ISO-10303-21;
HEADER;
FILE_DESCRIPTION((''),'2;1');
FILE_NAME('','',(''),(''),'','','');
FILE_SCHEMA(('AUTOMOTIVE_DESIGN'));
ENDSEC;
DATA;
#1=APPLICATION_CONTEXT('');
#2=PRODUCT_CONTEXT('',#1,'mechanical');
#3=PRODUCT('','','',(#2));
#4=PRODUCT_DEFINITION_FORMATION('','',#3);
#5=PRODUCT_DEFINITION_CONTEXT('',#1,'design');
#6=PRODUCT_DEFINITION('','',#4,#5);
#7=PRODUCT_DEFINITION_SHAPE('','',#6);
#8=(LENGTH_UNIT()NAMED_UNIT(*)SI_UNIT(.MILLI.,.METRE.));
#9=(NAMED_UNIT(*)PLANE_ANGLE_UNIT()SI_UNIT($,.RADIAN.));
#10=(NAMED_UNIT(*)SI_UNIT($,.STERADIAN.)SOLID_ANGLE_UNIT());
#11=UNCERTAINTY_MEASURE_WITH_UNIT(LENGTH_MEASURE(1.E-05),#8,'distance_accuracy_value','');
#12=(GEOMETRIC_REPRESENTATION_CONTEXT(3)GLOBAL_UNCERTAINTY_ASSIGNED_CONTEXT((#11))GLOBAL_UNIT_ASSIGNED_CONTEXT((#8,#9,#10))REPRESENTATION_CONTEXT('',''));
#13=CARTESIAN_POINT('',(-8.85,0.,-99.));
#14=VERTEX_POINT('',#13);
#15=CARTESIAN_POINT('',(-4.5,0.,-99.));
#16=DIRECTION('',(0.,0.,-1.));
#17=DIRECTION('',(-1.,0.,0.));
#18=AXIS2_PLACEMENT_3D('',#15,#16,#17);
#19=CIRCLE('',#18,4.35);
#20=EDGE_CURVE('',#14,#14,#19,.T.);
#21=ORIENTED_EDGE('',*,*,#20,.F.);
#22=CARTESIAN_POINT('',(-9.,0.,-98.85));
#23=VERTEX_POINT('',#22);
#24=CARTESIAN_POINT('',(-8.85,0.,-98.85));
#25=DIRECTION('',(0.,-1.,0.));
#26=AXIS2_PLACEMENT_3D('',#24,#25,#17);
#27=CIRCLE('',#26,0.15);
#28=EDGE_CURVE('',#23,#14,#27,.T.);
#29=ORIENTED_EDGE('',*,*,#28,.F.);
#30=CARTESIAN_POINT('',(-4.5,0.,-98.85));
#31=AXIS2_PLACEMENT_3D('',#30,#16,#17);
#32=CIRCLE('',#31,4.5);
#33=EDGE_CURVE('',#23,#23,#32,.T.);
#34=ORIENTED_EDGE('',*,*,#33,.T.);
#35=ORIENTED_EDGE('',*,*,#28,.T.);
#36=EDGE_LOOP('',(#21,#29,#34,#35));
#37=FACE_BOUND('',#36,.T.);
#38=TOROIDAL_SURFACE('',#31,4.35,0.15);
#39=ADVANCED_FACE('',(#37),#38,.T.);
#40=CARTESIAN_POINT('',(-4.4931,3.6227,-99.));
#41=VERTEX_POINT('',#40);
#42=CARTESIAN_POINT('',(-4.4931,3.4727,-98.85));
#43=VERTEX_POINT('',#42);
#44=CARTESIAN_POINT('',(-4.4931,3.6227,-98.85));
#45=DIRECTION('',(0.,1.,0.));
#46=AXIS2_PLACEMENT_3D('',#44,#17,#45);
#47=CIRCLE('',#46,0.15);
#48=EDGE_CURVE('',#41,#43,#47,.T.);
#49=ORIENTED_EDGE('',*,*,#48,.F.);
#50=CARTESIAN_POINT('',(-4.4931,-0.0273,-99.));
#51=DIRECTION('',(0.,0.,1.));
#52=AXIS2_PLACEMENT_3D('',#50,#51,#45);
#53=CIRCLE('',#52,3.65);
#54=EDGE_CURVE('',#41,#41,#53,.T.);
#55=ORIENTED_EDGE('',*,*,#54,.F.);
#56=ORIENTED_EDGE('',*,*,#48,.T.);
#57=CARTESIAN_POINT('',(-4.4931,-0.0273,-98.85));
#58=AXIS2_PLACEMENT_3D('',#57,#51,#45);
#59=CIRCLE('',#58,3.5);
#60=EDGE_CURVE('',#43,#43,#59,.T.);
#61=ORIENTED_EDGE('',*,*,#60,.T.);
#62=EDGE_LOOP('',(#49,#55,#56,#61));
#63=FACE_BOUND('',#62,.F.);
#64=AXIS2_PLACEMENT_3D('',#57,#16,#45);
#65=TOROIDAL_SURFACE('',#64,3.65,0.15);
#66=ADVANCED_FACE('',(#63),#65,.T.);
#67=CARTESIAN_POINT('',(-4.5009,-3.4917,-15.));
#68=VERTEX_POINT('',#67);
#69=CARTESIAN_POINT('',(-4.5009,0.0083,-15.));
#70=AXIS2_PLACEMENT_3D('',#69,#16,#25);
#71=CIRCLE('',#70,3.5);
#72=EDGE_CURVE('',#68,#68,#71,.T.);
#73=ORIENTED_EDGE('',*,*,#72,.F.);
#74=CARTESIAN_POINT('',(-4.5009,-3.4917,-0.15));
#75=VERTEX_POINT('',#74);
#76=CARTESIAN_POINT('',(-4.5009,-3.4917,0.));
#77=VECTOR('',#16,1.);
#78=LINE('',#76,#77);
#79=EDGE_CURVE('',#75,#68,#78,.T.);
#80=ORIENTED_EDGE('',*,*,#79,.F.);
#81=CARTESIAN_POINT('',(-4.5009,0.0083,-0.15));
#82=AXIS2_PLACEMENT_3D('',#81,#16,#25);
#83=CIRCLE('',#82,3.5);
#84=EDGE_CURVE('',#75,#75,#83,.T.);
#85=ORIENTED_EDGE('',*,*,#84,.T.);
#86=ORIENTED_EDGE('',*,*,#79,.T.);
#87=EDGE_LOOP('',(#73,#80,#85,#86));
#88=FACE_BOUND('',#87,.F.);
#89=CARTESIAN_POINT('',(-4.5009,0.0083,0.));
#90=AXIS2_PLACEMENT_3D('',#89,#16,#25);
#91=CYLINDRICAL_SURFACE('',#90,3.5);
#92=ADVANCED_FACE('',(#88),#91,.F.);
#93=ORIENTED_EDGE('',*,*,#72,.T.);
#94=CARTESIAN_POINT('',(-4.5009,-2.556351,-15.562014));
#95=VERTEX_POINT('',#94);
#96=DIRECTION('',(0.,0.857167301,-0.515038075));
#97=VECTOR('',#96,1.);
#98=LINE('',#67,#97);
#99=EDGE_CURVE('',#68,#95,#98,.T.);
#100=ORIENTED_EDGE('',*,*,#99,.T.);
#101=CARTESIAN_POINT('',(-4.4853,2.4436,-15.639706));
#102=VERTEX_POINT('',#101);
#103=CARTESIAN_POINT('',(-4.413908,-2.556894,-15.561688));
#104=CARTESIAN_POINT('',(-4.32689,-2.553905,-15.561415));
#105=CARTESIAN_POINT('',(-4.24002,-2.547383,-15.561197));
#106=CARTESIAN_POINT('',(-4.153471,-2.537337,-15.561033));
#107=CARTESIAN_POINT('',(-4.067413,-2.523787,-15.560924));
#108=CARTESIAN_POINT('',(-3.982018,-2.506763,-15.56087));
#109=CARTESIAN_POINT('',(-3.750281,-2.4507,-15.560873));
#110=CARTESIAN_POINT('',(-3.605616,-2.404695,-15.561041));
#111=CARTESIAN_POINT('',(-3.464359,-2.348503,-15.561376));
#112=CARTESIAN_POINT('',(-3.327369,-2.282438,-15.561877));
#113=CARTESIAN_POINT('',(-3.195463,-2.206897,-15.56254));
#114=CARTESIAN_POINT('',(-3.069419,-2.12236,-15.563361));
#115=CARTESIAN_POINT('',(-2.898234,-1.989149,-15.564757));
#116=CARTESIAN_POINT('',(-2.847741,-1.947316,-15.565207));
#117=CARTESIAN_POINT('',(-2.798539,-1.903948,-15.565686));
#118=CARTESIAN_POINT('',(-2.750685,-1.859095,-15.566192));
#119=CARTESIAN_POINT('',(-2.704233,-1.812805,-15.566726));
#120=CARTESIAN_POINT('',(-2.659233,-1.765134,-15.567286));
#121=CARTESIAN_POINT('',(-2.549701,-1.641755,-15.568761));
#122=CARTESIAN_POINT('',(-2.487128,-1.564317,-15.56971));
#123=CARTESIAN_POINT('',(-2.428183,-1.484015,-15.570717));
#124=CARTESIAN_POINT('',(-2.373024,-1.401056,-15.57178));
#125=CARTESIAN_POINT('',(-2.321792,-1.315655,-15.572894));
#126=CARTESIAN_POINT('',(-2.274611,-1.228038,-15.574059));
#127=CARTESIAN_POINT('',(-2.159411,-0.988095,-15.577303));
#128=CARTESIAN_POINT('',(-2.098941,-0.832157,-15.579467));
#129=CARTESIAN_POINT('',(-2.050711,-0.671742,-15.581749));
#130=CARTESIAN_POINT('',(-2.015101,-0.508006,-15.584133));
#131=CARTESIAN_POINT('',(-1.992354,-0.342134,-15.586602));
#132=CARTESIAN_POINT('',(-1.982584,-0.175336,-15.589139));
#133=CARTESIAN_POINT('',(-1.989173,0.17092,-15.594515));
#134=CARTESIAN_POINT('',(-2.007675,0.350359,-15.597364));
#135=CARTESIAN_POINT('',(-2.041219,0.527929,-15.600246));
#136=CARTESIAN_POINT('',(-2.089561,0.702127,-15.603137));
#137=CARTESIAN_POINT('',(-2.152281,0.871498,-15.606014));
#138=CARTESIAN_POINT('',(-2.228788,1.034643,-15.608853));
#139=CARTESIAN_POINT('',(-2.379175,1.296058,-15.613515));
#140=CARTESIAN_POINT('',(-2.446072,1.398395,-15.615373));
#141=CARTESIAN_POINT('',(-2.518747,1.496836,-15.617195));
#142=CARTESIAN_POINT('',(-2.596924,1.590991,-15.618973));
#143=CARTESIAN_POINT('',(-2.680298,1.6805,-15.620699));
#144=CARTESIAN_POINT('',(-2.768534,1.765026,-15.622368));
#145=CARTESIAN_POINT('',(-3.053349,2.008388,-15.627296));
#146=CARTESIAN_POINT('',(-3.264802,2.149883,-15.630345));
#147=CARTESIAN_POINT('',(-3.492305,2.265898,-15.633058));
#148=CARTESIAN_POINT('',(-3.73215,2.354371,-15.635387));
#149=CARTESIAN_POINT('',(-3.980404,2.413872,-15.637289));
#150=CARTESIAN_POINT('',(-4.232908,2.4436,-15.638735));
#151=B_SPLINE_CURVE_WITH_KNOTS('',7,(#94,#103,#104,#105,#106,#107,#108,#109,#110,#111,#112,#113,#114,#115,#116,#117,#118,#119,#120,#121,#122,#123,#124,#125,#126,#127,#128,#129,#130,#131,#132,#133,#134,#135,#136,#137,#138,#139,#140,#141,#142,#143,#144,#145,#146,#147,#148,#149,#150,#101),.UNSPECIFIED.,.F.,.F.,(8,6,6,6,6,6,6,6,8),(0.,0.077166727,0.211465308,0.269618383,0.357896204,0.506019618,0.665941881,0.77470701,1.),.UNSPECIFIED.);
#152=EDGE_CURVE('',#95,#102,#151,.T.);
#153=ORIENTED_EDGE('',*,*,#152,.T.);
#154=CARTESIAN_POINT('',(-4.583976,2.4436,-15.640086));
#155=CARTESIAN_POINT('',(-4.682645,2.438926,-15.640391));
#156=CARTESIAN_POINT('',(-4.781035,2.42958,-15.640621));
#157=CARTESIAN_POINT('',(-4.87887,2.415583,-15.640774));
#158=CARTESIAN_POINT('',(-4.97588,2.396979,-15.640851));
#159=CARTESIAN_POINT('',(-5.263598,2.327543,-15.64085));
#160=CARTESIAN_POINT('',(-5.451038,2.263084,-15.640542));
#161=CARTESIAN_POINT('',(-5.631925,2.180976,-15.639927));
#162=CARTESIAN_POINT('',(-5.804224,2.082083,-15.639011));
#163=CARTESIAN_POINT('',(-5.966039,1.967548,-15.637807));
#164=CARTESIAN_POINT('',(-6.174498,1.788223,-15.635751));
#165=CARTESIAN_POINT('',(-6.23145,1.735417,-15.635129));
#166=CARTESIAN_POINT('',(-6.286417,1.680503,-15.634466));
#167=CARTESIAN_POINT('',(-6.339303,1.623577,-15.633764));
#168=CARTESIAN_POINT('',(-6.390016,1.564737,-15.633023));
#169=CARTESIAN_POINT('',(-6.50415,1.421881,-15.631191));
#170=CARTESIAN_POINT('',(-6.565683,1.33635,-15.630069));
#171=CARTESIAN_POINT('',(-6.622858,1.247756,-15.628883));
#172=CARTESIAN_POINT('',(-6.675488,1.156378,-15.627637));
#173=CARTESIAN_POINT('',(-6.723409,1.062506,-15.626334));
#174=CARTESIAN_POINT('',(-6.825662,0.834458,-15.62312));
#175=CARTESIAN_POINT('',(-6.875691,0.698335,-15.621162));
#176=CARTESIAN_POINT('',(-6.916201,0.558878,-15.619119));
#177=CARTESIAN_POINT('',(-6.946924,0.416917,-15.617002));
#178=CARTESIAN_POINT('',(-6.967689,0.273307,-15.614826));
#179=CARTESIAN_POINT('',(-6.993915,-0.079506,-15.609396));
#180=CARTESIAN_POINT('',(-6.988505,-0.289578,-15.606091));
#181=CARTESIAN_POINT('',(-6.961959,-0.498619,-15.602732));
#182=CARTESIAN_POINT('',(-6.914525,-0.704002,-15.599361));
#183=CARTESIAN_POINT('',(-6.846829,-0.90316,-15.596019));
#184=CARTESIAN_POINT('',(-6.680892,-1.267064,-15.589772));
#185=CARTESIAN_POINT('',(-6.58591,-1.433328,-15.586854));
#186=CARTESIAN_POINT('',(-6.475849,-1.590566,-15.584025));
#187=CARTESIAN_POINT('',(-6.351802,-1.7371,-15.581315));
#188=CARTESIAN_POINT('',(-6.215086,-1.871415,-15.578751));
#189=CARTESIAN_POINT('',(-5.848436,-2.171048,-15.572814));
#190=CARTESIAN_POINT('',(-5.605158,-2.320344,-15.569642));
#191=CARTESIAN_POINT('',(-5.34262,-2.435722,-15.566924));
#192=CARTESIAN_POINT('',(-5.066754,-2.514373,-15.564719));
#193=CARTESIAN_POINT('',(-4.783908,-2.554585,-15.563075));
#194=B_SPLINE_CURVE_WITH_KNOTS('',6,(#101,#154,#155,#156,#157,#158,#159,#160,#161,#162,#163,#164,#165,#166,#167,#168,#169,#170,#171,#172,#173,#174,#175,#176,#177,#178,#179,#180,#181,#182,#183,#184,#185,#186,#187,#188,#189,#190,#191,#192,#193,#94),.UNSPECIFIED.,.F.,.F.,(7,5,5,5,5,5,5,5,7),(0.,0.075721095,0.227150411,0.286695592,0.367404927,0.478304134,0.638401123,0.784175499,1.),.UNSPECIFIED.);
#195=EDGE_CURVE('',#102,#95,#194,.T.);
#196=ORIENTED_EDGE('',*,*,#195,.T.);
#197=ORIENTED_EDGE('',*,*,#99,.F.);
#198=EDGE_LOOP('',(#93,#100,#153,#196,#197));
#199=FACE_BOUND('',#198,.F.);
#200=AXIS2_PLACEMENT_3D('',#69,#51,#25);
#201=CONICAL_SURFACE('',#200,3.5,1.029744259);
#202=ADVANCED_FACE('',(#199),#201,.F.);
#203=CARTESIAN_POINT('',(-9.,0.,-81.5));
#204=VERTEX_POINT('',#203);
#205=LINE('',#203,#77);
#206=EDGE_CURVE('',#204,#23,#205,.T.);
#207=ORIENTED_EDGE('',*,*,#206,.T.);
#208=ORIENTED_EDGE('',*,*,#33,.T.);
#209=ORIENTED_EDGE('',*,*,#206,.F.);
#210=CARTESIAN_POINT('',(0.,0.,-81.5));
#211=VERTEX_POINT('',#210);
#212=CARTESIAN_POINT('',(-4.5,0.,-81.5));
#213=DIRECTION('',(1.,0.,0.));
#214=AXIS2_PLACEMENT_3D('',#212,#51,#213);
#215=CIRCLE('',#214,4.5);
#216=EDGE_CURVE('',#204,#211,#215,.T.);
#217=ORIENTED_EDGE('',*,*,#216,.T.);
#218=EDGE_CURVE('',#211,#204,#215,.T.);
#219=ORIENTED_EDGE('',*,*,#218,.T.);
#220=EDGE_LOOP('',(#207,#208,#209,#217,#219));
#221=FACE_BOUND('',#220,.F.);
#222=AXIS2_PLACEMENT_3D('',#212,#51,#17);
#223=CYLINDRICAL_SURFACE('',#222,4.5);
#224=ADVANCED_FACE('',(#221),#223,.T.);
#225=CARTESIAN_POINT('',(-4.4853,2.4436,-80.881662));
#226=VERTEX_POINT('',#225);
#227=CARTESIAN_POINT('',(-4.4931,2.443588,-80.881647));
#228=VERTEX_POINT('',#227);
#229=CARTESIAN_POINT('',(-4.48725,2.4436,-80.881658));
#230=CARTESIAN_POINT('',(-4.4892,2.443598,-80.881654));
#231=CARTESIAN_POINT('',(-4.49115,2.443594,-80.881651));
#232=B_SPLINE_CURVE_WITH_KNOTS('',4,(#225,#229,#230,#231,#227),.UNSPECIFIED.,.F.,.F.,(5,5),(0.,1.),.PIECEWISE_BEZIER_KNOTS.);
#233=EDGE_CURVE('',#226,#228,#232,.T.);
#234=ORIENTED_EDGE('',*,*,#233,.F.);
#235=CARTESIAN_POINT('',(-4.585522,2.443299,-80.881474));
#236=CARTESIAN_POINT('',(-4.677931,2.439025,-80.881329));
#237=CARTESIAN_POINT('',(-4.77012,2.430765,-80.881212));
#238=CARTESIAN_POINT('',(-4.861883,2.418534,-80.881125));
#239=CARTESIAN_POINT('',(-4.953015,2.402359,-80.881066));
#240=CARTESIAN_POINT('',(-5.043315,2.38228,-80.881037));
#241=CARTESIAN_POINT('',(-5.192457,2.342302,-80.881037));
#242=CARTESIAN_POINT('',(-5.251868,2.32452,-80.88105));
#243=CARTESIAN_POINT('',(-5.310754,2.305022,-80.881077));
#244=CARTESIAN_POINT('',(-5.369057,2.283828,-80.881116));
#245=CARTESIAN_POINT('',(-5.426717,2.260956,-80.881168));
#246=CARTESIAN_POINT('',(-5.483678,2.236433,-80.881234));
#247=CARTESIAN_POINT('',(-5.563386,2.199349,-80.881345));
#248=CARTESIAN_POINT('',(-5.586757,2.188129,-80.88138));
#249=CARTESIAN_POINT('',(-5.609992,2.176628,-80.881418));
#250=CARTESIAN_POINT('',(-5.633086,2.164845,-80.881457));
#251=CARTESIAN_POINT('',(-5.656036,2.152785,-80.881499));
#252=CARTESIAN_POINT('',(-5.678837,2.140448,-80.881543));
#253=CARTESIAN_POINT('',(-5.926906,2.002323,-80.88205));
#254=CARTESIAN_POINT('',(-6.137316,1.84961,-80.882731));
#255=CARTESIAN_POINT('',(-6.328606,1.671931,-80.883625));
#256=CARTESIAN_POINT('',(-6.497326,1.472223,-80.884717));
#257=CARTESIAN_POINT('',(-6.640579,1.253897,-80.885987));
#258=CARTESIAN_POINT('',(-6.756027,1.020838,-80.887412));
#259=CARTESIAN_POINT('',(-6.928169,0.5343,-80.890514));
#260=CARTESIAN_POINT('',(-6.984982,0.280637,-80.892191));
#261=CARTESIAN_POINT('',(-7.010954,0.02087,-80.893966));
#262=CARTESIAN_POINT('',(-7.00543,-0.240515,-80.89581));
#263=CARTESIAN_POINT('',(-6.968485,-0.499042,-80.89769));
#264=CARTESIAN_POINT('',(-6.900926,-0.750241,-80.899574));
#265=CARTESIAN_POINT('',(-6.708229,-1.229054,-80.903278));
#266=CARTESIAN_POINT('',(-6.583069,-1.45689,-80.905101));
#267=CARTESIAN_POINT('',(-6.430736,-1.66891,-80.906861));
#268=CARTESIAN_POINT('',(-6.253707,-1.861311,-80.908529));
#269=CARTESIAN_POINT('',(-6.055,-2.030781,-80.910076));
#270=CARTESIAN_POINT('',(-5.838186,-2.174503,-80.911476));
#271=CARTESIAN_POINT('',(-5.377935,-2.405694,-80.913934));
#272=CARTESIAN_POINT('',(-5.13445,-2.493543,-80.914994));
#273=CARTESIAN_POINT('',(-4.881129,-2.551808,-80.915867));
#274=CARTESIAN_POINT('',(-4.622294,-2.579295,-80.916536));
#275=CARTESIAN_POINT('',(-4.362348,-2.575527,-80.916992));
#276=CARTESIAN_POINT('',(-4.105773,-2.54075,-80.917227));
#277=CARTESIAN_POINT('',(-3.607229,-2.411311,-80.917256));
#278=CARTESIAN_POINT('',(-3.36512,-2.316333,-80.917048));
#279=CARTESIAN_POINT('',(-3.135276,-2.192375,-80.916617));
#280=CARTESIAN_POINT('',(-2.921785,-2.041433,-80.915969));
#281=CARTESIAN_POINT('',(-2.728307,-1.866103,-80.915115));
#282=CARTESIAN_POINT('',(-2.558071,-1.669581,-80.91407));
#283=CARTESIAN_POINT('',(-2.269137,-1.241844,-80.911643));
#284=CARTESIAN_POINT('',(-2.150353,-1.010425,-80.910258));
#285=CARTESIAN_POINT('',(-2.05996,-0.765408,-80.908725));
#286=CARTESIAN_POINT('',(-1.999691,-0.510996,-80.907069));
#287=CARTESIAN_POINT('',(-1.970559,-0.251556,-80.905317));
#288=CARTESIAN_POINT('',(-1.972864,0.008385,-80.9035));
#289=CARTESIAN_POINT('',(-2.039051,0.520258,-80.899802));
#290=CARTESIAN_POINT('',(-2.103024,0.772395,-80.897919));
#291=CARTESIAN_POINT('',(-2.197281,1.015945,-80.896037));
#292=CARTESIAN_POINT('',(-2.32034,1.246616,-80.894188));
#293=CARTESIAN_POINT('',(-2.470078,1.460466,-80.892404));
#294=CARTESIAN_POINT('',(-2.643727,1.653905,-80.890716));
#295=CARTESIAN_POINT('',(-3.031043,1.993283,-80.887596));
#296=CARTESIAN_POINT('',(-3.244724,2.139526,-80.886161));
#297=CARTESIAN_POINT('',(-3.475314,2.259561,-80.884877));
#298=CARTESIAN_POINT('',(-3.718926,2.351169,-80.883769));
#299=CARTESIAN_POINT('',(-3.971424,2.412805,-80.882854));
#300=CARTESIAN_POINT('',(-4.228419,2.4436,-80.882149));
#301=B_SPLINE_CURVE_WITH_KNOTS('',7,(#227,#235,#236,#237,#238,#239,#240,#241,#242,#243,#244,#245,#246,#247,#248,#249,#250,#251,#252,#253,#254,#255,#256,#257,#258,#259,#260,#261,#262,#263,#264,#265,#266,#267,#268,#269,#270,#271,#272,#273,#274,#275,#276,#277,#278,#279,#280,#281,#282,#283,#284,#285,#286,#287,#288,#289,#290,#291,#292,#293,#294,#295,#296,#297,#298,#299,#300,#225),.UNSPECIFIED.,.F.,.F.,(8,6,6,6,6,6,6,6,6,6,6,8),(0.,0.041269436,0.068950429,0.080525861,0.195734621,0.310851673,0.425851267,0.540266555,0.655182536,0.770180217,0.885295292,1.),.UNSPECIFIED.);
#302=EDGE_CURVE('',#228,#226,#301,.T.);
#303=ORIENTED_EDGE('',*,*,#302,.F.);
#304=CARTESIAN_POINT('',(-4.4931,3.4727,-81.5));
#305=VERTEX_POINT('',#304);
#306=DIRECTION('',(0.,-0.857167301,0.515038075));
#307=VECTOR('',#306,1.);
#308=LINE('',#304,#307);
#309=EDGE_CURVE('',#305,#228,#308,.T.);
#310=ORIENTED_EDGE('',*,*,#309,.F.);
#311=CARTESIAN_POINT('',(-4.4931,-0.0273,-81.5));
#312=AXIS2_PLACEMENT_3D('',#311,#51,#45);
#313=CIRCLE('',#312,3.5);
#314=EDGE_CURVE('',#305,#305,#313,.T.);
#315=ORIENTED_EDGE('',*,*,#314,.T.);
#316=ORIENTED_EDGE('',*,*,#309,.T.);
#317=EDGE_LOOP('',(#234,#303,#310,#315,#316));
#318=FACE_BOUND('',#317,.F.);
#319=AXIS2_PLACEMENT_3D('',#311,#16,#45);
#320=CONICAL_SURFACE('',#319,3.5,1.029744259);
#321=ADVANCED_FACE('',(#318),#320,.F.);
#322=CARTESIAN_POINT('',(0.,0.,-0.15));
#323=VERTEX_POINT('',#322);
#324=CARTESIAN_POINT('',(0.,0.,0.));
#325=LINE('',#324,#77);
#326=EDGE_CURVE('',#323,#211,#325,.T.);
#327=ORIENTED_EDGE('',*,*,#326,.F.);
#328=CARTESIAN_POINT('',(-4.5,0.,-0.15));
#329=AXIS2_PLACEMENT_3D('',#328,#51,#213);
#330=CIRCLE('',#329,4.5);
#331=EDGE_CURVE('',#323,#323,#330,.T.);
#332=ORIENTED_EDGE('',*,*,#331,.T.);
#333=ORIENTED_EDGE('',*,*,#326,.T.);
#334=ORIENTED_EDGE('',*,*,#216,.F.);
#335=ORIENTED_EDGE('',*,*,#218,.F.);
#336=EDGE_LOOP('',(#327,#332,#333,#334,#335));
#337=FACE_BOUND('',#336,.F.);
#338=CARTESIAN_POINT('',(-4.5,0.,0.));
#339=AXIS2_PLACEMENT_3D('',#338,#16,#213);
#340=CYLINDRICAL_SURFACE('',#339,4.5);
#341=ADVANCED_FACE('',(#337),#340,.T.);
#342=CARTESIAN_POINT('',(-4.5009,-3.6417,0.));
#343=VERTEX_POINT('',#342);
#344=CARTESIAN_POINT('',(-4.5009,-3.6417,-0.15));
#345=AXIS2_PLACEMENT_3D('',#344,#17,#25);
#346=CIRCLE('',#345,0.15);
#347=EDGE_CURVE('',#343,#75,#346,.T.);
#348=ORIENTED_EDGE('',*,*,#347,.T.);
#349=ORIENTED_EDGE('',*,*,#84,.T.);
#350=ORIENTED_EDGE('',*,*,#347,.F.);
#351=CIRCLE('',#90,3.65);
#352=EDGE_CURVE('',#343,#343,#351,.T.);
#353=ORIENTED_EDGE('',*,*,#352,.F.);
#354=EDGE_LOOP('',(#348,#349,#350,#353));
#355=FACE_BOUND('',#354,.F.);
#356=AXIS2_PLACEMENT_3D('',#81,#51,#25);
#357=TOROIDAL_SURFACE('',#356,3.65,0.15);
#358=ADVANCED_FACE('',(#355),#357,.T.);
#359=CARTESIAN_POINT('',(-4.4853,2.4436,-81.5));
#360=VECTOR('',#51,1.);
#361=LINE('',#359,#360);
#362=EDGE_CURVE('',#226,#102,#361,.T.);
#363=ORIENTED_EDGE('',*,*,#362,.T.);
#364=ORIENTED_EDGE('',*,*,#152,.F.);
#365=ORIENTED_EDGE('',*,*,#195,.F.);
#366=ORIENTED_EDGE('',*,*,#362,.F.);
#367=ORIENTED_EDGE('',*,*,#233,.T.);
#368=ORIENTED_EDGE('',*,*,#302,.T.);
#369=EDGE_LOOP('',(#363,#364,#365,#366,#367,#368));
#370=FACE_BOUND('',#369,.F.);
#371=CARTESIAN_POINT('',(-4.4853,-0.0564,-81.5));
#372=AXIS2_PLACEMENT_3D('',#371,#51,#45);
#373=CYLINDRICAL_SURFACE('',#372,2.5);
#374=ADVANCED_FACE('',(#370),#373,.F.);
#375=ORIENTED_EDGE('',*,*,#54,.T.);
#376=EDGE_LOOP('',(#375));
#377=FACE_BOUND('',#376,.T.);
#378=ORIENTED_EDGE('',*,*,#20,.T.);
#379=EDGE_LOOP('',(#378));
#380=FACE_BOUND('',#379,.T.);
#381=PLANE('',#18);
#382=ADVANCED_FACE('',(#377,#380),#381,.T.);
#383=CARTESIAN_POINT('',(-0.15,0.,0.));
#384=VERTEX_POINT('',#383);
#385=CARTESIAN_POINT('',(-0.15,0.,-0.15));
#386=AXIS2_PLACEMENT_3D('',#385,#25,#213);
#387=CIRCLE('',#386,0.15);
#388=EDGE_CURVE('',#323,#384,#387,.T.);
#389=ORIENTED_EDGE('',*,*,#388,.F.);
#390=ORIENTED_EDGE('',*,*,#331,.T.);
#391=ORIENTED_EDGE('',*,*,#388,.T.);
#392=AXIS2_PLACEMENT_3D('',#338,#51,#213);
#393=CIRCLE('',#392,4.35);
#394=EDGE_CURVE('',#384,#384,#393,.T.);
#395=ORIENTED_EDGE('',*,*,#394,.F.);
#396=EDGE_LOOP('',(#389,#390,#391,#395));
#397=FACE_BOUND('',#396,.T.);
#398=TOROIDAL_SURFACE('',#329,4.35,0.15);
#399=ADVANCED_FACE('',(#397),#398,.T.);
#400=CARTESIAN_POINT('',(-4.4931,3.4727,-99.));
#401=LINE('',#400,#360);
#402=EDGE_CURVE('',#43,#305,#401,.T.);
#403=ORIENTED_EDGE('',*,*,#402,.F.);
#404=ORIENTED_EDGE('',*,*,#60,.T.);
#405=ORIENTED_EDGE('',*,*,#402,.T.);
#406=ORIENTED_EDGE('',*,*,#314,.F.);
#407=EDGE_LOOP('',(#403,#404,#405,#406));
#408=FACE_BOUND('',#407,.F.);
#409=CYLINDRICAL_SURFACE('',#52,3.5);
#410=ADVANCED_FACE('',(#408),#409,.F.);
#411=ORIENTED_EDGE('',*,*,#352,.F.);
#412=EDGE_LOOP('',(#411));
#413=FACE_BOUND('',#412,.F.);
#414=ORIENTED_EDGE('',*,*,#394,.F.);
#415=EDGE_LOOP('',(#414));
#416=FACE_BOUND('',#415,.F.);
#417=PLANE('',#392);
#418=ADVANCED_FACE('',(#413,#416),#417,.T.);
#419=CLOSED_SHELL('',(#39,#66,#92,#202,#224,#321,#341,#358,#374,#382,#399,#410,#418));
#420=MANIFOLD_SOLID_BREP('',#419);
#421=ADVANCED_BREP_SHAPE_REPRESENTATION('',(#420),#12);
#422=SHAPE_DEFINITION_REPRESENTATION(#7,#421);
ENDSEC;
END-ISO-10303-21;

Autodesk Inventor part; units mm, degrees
ref_plane "YZ Plane" through (0, 0, 0) normal (1, 0, 0) x (0, 1, 0)
ref_plane "XZ Plane" through (0, 0, 0) normal (0, 1, 0) x (-1, 0, 0)
ref_plane "XY Plane" through (0, 0, 0) normal (0, 0, 1) x (1, 0, 0)
sketch "草圖1" plane through (0, 0, 0) normal (0, 1, 0) x (-1, 0, 0)
  line L0 (0, 0) -> (0, -99)
  line L1 (0, -99) -> (4.5, -99)
  line L2 (4.5, -99) -> (4.5, 0)
  line L3 (4.5, 0) -> (0, 0)
  line L4 (0, -99) -> (0, -81.5)
  line L5 (0, -81.5) -> (4.5, -81.5)
  dimension "d0" = 99
  dimension "d1" = 4.5
  dimension "d2" = 90
  dimension "d4" = 17.5
revolve "迴轉3" add sketch "草圖1" angle 360 about axis through (-4.5, 0, -99) along (0, 0, 1) contours L3 L2 L5 L0
sketch "草圖3" plane through (-4.5, 0, -81.5) normal (0, 0, -1) x (-1, 0, 0)
  point P0 (-4.5, 0)
  point P1 (-0.0147, -0.0564)
hole "孔2" at (-4.4853, -0.0564, -81.5) direction (0, 0, 1) diameter 5 depth 66.5 tip angle 118
sketch "草圖4" plane through (-4.5, 0, 0) normal (0, 0, 1) x (1, 0, 0)
  point P0 (4.5, 0)
  point P1 (-0.0009, 0.0083)
hole "孔3" at (-4.5009, 0.0083, 0) direction (0, 0, -1) diameter 7 depth 15 tip angle 118
sketch "草圖5" plane through (-4.5, 0, -81.5) normal (0, 0, -1) x (-1, 0, 0)
  circle A0 centre (0, 0) radius 4.5
  point P0 (-4.5, 0)
extrude "擠出1" add sketch "草圖5" along normal blind 17.5
sketch "草圖6" plane through (-4.5, 0, -99) normal (0, 0, -1) x (-1, 0, 0)
  point P0 (-4.5, 0)
  point P1 (-0.0069, -0.0273)
hole "孔4" at (-4.4931, -0.0273, -99) direction (0, 0, 1) diameter 7 depth 17.5 tip angle 118
fillet "圓角1" radius 0.15 1 edges at (-9, 0, 0)
fillet "圓角2" radius 0.15 3 edges at (-4.5009, 3.5083, 0) (-4.4931, -3.5273, -99) (0, 0, -99)
properties part number "筆桿"
